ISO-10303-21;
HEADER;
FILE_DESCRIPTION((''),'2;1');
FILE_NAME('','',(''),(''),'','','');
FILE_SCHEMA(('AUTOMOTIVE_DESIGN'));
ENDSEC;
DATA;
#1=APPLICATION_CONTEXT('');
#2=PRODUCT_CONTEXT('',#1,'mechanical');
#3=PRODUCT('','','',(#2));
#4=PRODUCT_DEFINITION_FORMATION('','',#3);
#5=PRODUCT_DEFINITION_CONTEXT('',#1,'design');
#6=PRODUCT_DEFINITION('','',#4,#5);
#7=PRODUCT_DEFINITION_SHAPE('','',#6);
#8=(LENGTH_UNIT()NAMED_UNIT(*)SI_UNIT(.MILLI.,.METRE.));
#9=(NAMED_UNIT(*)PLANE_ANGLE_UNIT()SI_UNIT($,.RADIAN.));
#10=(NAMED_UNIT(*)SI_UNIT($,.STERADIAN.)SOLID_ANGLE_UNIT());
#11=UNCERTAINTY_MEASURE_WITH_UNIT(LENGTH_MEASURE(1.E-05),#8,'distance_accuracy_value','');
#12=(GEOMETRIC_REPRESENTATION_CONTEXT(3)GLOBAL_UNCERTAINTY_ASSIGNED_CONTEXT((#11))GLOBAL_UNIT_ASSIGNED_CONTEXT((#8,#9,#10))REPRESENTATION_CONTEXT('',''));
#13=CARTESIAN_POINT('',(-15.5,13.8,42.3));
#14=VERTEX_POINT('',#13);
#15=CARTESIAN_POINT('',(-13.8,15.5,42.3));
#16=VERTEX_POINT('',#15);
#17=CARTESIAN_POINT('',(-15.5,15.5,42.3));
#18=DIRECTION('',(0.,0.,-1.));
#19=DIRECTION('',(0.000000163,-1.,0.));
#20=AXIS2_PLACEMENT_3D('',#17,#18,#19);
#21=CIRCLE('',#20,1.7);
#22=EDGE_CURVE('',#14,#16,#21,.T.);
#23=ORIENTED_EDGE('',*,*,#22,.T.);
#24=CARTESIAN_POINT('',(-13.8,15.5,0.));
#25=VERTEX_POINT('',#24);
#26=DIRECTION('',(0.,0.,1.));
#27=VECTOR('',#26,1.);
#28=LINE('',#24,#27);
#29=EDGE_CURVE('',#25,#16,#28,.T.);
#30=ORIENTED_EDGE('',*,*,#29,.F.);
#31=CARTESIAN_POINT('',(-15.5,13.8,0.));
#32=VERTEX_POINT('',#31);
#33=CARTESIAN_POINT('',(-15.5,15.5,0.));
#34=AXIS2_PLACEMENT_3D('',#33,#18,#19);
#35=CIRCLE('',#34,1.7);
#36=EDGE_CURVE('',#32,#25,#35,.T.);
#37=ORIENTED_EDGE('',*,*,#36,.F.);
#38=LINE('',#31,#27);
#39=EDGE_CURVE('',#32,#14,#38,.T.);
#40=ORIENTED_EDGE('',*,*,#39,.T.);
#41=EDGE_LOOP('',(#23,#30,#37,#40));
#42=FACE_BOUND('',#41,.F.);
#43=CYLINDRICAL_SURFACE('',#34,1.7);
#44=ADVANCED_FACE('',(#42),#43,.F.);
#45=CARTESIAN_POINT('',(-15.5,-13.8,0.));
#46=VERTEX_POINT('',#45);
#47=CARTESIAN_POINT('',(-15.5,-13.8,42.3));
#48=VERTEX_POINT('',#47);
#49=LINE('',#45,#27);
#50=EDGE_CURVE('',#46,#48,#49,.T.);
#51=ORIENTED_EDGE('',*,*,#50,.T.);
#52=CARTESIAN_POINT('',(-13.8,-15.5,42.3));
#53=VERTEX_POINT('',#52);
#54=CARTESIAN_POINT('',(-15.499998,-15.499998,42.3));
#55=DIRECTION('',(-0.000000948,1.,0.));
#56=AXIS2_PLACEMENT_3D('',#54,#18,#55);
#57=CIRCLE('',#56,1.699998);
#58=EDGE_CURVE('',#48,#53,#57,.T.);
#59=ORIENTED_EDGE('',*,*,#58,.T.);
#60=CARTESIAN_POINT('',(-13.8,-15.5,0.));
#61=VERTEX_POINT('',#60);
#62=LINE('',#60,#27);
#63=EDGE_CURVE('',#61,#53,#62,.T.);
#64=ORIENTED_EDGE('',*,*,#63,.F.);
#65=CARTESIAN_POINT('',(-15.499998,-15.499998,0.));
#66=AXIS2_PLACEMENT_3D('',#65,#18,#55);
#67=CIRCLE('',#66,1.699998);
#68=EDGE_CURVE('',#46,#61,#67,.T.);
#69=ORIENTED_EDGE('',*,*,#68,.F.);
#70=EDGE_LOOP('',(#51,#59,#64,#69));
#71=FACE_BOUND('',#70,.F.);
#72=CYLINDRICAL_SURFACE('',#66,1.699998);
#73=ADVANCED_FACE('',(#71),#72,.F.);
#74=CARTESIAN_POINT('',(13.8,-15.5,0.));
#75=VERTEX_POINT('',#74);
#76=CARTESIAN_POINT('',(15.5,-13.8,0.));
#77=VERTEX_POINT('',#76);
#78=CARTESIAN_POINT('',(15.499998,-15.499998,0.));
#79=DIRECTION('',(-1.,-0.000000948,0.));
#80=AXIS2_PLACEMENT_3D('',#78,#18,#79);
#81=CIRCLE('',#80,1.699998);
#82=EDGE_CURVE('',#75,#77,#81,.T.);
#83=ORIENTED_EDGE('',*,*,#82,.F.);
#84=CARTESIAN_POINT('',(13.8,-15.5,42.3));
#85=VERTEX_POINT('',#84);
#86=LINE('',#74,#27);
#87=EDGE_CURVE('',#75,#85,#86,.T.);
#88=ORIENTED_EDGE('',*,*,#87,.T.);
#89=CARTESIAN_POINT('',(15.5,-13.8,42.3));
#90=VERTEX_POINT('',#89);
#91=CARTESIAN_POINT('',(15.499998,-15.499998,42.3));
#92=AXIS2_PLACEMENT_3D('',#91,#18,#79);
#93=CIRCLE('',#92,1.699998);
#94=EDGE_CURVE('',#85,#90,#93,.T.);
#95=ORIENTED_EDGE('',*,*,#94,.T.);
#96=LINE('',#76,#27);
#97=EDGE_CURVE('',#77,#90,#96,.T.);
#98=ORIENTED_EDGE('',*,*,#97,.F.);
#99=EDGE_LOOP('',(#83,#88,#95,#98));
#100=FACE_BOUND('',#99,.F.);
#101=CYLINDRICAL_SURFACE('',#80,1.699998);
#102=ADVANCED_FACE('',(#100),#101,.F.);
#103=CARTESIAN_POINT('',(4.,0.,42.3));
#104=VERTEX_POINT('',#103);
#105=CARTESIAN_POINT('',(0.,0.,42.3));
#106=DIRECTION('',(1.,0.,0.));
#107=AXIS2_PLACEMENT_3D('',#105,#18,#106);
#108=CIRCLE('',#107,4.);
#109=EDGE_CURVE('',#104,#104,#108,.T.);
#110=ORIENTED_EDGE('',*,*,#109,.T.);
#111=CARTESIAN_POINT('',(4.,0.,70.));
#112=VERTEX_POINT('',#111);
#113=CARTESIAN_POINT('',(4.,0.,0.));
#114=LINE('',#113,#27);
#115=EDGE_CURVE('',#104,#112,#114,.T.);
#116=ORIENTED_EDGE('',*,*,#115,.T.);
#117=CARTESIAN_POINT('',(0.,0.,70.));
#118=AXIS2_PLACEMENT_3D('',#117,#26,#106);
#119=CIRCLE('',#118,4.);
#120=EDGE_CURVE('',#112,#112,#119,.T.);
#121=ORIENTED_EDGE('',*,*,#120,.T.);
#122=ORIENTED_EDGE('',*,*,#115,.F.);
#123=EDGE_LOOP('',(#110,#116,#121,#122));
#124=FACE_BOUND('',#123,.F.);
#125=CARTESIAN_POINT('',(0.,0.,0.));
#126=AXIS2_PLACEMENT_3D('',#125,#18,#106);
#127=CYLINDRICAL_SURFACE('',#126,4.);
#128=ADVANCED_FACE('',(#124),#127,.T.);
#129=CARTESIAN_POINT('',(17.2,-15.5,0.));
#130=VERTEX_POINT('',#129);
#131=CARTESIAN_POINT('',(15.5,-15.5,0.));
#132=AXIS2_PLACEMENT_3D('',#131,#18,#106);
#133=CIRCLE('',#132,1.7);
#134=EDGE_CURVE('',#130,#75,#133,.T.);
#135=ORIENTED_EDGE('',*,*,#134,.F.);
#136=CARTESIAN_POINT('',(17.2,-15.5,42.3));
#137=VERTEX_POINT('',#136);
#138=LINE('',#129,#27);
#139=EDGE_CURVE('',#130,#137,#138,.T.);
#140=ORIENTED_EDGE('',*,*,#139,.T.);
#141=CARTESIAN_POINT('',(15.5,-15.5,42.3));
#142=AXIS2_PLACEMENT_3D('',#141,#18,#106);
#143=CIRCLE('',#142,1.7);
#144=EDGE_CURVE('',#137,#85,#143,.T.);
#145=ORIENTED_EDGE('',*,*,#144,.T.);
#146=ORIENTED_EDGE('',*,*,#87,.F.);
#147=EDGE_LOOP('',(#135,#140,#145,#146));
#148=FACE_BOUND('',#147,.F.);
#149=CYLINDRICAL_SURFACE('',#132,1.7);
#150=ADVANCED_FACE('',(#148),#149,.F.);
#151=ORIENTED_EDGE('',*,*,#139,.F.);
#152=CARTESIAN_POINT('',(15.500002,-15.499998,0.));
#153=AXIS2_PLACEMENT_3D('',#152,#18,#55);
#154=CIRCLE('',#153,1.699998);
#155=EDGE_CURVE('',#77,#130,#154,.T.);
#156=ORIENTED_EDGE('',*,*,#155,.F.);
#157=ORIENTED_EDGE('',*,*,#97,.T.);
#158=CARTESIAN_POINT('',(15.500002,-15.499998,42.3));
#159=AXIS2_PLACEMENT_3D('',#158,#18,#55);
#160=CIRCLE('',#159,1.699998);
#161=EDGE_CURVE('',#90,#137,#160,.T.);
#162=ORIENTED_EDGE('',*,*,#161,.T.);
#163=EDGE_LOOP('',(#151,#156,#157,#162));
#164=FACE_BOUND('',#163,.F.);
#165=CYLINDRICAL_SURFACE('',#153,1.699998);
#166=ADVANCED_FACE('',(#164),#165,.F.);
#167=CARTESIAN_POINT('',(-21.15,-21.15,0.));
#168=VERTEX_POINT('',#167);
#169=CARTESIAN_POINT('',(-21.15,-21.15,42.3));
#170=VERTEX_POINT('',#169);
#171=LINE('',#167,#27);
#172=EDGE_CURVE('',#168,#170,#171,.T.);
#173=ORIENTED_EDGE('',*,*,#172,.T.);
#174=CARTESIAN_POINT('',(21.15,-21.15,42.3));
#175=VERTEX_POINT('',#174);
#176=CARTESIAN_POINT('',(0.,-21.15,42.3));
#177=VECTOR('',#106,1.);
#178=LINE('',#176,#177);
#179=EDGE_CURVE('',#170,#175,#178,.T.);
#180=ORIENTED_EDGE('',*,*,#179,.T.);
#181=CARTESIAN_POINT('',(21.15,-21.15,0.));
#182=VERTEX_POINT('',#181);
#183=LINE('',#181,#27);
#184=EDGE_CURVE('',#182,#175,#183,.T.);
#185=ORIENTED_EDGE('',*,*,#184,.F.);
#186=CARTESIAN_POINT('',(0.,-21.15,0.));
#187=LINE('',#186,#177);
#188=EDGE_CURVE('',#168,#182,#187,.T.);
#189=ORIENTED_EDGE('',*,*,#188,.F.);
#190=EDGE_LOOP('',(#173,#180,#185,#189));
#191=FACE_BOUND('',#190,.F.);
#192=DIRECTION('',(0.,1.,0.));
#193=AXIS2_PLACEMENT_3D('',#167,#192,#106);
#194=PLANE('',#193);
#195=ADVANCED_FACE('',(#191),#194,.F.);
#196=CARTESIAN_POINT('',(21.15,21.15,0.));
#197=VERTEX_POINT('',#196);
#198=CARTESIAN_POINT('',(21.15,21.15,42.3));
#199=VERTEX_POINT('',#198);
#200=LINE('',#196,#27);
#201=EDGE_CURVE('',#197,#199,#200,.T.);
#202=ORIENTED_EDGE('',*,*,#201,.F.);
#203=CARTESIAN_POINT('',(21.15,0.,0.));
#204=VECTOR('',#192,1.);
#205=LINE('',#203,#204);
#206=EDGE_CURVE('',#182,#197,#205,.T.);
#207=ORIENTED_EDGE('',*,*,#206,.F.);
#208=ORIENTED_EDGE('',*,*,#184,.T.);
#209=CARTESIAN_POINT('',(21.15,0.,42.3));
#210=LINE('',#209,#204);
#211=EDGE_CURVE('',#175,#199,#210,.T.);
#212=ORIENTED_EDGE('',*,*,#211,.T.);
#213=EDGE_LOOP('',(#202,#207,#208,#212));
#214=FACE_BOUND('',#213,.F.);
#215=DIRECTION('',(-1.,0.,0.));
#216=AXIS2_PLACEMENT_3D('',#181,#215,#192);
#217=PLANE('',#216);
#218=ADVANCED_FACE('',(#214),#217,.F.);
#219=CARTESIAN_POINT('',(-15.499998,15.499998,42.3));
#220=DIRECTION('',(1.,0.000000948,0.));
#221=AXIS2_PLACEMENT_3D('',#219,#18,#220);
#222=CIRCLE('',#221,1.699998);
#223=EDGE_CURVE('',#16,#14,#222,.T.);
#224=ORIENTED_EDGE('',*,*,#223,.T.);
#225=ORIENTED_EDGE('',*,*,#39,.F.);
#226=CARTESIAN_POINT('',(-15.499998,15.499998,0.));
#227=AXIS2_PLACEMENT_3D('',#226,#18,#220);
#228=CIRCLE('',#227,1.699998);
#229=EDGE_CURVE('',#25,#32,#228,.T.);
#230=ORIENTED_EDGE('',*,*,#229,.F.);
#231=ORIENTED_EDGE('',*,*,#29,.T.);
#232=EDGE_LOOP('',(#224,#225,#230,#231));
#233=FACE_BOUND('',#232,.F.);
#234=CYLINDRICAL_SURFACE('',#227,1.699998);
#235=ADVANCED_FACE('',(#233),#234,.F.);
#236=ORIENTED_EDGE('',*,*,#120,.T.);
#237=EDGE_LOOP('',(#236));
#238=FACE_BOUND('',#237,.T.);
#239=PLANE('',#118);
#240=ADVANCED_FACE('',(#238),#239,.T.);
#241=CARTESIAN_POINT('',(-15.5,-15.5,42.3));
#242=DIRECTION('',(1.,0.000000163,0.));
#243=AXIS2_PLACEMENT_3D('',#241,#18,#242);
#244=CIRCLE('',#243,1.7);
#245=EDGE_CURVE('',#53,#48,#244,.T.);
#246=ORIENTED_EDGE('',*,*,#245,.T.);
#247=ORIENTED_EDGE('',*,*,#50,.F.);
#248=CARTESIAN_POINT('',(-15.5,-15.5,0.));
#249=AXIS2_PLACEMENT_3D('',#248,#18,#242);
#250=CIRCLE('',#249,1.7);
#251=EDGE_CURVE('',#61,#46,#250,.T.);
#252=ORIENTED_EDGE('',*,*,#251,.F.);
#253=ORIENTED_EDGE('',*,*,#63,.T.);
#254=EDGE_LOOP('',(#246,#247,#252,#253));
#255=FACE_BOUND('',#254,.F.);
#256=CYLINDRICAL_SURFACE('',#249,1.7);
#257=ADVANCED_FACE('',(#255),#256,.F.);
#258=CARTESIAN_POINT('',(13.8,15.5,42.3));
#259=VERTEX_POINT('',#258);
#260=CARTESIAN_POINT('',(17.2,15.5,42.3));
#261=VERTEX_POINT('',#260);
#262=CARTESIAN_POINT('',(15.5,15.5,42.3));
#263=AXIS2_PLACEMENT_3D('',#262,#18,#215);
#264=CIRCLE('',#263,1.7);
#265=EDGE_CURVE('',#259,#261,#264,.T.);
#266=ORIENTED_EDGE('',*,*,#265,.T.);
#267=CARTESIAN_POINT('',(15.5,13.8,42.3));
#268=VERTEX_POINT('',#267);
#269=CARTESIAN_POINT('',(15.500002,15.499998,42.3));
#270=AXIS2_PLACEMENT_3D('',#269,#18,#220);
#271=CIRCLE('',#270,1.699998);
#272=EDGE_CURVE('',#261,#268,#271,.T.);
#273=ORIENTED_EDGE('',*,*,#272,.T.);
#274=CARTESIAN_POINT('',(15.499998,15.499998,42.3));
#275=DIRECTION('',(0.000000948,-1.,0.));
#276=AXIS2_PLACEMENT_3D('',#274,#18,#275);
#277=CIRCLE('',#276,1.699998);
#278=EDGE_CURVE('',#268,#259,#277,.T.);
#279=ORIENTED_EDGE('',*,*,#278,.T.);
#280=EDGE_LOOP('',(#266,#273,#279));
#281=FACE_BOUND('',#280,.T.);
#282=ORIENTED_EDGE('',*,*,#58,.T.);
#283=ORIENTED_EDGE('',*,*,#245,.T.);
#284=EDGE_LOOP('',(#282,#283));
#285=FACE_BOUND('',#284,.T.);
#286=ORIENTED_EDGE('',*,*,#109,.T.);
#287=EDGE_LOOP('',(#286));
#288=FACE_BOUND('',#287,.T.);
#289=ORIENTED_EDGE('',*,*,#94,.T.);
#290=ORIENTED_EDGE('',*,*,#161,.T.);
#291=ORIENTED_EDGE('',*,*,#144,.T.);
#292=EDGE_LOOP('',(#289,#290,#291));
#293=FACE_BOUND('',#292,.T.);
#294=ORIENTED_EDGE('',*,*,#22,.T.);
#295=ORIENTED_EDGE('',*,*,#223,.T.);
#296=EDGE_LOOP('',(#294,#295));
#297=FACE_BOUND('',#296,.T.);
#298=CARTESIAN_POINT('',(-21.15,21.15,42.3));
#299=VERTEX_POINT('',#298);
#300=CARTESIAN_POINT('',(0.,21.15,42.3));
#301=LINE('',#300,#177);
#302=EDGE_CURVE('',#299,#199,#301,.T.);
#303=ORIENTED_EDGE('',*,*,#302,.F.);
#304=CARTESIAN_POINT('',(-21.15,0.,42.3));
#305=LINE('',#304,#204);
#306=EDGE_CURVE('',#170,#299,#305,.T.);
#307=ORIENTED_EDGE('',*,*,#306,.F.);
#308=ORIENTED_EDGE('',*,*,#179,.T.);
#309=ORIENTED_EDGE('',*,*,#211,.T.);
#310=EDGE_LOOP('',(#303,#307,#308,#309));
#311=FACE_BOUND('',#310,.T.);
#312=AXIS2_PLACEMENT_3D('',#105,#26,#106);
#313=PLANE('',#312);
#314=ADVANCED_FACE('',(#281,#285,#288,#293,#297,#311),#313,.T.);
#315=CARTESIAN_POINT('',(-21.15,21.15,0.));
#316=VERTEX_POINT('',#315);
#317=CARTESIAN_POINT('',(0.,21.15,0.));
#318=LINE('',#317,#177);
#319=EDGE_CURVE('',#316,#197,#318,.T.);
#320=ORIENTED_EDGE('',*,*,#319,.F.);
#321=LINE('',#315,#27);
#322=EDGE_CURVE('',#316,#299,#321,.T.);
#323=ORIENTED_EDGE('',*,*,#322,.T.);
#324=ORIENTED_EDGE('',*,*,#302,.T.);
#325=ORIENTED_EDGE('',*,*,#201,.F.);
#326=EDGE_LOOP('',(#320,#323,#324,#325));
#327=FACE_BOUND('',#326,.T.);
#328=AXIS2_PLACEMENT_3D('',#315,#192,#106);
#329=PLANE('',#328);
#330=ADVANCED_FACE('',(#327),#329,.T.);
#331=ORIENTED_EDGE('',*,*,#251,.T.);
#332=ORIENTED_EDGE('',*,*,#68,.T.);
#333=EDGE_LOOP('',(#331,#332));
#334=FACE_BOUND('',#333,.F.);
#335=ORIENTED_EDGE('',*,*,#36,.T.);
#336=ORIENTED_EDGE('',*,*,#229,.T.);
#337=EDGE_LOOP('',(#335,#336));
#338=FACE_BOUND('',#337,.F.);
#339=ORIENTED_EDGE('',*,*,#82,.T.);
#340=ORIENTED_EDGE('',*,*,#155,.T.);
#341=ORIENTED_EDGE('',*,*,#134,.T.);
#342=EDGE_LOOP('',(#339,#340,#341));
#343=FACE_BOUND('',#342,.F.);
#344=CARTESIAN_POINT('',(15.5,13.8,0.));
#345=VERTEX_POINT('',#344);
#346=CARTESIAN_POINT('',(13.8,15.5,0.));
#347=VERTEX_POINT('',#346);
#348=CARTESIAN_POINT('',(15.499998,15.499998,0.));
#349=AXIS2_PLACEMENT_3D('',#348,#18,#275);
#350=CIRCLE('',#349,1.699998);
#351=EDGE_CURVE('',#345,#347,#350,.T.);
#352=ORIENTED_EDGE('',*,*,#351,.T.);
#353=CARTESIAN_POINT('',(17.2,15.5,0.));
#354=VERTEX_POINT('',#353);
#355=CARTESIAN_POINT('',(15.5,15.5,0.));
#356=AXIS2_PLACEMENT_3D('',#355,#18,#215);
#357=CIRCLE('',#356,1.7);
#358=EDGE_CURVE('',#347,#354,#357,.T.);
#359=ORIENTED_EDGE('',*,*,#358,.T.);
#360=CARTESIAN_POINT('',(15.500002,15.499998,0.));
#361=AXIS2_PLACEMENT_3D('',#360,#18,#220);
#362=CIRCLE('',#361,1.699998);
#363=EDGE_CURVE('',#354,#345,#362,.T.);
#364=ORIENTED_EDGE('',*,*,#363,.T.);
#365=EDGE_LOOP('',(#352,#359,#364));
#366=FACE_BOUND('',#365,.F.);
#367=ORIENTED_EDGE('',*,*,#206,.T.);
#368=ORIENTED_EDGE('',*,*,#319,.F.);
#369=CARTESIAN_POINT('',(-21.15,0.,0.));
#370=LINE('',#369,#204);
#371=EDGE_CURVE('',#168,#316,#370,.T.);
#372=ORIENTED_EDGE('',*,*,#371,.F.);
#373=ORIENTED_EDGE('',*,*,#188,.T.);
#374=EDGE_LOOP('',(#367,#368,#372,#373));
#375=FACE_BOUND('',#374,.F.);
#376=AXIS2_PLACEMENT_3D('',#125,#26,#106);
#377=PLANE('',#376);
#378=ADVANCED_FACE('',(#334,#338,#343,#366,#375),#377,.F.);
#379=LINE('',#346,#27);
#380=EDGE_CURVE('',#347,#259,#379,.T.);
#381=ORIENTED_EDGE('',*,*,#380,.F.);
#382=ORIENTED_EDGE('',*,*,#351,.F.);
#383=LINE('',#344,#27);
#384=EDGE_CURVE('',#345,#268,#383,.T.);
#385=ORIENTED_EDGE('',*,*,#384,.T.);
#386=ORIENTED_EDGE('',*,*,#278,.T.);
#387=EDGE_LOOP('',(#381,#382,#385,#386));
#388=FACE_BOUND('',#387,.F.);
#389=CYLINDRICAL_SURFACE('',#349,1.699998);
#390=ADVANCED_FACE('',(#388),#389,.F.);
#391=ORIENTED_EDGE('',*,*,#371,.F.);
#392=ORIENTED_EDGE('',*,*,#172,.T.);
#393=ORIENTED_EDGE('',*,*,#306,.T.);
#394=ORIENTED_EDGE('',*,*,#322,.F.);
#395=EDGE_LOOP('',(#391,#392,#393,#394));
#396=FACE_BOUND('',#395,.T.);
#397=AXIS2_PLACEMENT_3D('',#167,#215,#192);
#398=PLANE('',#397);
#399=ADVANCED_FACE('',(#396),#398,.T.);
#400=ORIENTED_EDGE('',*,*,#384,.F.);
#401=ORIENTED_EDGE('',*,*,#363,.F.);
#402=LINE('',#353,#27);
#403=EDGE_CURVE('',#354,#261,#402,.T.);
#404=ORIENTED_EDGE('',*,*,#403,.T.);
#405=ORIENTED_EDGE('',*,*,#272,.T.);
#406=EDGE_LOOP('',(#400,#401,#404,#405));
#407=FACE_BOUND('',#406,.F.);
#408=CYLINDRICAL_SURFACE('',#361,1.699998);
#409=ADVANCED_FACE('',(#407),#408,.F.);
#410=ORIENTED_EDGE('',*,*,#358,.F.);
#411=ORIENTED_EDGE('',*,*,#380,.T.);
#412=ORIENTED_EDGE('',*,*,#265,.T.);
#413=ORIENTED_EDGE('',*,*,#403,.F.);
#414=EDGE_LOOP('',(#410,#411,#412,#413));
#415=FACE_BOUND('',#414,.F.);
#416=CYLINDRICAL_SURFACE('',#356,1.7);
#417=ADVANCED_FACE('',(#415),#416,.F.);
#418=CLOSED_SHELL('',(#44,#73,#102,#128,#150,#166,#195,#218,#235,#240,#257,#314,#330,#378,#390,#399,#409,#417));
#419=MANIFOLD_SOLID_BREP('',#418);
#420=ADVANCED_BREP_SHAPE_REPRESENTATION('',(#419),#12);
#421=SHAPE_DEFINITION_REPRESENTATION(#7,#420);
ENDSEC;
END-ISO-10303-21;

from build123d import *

# Parameters (mm, degrees)
F0_W     = 42.3
F0_H     = 42.3
F0_R     = 4
F1_DEPTH = 42.3
F2_DEPTH = 70


with BuildPart() as f1:
    # F0 (on Top) → F1 (new body)
    with BuildSketch(Plane.XY):
        Rectangle(F0_W, F0_H)
        with BuildLine():
            ThreePointArc((-15.5, 13.8), (-16.702082, 16.702082), (-13.8, 15.5))
            Line((-13.8, 15.5), (13.8, 15.5))
            ThreePointArc((13.8, 15.5), (15.5, 17.2), (17.2, 15.5))
            ThreePointArc((17.2, 15.5), (16.702082, 14.297918), (15.5, 13.8))
            Line((15.5, 13.8), (15.5, -13.8))
            ThreePointArc((15.5, -13.8), (16.702082, -14.297918), (17.2, -15.5))
            ThreePointArc((17.2, -15.5), (15.5, -17.2), (13.8, -15.5))
            Line((13.8, -15.5), (-13.8, -15.5))
            ThreePointArc((-13.8, -15.5), (-16.702082, -16.702082), (-15.5, -13.8))
            Line((-15.5, -13.8), (-15.5, 13.8))
        make_face(mode=Mode.SUBTRACT)
        with BuildLine():
            Line((13.8, 15.5), (-13.8, 15.5))
            ThreePointArc((-13.8, 15.5), (-14.297918, 14.297918), (-15.5, 13.8))
            Line((-15.5, 13.8), (-15.5, -13.8))
            ThreePointArc((-15.5, -13.8), (-14.297918, -14.297918), (-13.8, -15.5))
            Line((-13.8, -15.5), (13.8, -15.5))
            ThreePointArc((13.8, -15.5), (14.297918, -14.297918), (15.5, -13.8))
            Line((15.5, -13.8), (15.5, 13.8))
            ThreePointArc((15.5, 13.8), (14.297918, 14.297918), (13.8, 15.5))
        make_face()
        Circle(F0_R, mode=Mode.SUBTRACT)
        Circle(F0_R)
    extrude(amount=F1_DEPTH)

    # F0 (on Top) → F2 (join)
    with BuildSketch(Plane.XY):
        Circle(F0_R)
    extrude(amount=F2_DEPTH)


solid = f1.part
